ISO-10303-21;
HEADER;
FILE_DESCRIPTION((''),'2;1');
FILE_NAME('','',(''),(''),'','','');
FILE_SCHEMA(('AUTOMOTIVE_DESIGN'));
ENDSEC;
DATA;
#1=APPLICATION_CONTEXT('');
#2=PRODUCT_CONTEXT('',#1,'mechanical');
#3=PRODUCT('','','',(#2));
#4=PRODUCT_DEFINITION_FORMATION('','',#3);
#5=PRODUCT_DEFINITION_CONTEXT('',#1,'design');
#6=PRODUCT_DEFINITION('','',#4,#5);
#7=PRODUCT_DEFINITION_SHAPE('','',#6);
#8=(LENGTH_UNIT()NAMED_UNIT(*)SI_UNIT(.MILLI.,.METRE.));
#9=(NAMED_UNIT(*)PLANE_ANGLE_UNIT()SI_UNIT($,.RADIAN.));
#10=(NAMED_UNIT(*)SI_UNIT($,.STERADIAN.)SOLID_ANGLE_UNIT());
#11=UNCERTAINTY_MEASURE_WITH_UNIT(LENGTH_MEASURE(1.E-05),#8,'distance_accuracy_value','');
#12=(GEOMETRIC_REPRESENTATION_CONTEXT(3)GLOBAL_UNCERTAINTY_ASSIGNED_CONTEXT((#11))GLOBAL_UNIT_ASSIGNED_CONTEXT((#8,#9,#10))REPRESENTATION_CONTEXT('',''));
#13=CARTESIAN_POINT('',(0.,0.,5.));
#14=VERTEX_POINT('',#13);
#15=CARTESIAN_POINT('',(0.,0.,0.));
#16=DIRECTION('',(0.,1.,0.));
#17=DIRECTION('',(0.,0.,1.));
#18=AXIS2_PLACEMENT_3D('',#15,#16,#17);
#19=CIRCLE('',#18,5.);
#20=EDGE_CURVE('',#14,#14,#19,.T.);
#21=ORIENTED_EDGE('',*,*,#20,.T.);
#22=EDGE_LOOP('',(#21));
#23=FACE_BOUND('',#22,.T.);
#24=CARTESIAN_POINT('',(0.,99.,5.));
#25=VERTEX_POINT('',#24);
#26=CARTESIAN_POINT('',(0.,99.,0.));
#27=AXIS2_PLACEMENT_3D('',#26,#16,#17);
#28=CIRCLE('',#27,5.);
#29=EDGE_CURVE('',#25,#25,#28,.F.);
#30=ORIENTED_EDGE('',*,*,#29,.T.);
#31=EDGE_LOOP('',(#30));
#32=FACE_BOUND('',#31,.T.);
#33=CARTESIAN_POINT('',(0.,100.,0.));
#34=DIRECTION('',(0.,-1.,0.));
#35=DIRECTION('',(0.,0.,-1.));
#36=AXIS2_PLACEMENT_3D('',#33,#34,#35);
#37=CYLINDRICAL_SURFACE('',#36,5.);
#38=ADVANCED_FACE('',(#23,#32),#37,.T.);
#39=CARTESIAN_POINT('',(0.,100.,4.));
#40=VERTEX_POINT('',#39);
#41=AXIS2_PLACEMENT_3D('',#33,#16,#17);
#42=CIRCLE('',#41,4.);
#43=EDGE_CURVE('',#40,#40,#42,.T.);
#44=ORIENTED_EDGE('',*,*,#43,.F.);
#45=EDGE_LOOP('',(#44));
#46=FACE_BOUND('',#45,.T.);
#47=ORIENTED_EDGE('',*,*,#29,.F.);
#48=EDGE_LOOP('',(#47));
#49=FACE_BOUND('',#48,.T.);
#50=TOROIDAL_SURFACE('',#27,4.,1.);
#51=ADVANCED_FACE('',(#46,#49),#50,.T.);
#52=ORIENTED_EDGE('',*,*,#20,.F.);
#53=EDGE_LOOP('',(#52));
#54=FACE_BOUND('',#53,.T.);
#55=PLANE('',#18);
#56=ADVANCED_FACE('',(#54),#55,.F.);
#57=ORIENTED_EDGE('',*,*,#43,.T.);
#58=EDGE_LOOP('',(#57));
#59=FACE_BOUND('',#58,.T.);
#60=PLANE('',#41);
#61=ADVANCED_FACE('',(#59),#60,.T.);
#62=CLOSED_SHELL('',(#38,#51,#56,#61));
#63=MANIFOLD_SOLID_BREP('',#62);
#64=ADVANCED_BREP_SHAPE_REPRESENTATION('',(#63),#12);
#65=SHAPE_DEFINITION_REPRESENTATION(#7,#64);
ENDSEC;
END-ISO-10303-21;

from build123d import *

# Parameters (mm, degrees)
SKETCH1_R           = 5
BOSS_EXTRUDE1_DEPTH = 100
FILLET1_R           = 1


with BuildPart() as part:
    # Sketch1 → Boss-Extrude1 (new body)
    with BuildSketch(Plane(origin=(0, 0, 0), x_dir=(1, 0, 0), z_dir=(0, 1, 0))):
        Circle(SKETCH1_R)
    extrude(amount=BOSS_EXTRUDE1_DEPTH)

    # Fillet1
    fillet1_edges = [part.edges().sort_by_distance(p)[0] for p in [
        (-5, 100, 0),
    ]]
    fillet(fillet1_edges, radius=FILLET1_R)


solid = part.part
